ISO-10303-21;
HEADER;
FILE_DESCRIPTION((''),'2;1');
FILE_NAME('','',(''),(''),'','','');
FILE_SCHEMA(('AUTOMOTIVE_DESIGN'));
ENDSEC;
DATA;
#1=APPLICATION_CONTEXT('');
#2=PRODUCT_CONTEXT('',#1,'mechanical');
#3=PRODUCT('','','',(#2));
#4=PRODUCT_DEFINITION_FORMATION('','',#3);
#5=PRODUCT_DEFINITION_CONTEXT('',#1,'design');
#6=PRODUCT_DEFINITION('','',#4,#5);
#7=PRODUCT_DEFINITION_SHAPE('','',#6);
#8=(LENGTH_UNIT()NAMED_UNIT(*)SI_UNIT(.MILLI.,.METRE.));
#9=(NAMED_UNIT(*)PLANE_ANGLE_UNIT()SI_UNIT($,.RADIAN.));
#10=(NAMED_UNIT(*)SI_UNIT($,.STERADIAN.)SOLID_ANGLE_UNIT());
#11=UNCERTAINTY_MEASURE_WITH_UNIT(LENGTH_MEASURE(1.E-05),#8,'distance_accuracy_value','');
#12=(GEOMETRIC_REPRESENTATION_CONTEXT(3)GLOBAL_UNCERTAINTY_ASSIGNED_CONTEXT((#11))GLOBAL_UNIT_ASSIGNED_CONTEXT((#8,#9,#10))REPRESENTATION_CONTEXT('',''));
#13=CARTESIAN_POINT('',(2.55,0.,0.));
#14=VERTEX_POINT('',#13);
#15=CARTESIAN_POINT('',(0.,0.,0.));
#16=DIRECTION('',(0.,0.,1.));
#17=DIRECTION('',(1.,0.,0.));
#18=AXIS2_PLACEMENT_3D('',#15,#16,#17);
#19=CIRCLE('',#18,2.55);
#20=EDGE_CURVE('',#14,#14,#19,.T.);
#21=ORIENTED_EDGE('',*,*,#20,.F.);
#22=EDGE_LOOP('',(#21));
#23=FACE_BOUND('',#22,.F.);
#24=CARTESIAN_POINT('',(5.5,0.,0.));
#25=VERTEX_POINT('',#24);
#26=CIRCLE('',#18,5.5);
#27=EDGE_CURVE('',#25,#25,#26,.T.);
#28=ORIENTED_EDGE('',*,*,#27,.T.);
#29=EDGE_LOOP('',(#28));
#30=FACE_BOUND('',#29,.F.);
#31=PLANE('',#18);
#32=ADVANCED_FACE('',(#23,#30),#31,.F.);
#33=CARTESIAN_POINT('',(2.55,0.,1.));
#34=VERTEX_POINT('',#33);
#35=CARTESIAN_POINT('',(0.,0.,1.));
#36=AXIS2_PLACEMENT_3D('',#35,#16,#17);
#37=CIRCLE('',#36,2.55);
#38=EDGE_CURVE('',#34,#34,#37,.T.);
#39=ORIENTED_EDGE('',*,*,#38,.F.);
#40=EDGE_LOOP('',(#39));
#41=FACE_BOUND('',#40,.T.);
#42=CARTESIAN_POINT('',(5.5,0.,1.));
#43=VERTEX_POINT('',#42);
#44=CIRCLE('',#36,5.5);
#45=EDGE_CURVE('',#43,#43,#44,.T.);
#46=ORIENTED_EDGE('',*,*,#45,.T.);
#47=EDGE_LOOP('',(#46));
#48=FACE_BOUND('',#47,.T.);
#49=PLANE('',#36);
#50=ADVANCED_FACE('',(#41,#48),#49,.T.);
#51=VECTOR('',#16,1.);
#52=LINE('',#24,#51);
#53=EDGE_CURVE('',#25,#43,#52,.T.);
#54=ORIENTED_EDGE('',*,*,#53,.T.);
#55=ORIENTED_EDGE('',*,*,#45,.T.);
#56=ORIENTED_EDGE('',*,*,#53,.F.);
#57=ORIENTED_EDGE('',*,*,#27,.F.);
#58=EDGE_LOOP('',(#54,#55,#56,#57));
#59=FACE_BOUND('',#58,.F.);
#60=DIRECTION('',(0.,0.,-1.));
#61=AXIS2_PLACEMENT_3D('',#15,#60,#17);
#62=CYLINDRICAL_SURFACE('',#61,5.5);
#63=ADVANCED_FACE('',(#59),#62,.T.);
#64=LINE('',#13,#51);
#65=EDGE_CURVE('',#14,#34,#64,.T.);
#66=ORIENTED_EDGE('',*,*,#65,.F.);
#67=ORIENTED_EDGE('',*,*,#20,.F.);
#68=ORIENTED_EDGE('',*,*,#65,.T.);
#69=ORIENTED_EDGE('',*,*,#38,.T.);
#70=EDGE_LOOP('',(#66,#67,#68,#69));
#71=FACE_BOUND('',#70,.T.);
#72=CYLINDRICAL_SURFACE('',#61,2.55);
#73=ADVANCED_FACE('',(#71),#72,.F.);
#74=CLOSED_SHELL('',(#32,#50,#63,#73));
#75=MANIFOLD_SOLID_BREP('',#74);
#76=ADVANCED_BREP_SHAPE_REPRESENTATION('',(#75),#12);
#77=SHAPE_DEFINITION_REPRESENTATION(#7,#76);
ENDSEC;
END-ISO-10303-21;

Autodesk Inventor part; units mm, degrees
ref_plane "YZ Plane" through (0, 0, 0) normal (1, 0, 0) x (0, 1, 0)
ref_plane "XZ Plane" through (0, 0, 0) normal (0, 1, 0) x (-1, 0, 0)
ref_plane "XY Plane" through (0, 0, 0) normal (0, 0, 1) x (1, 0, 0)
sketch "Sketch1" plane through (0, 0, 0) normal (0, 0, 1) x (1, 0, 0)
  circle A0 centre (0, 0) radius 2.55
  circle A1 centre (0, 0) radius 5.5
  dimension "d0" = 11
  dimension "d2" = 5.1
extrude "Extrusion1" add sketch "Sketch1" along normal blind 1
properties part number "M5 WASHER"
